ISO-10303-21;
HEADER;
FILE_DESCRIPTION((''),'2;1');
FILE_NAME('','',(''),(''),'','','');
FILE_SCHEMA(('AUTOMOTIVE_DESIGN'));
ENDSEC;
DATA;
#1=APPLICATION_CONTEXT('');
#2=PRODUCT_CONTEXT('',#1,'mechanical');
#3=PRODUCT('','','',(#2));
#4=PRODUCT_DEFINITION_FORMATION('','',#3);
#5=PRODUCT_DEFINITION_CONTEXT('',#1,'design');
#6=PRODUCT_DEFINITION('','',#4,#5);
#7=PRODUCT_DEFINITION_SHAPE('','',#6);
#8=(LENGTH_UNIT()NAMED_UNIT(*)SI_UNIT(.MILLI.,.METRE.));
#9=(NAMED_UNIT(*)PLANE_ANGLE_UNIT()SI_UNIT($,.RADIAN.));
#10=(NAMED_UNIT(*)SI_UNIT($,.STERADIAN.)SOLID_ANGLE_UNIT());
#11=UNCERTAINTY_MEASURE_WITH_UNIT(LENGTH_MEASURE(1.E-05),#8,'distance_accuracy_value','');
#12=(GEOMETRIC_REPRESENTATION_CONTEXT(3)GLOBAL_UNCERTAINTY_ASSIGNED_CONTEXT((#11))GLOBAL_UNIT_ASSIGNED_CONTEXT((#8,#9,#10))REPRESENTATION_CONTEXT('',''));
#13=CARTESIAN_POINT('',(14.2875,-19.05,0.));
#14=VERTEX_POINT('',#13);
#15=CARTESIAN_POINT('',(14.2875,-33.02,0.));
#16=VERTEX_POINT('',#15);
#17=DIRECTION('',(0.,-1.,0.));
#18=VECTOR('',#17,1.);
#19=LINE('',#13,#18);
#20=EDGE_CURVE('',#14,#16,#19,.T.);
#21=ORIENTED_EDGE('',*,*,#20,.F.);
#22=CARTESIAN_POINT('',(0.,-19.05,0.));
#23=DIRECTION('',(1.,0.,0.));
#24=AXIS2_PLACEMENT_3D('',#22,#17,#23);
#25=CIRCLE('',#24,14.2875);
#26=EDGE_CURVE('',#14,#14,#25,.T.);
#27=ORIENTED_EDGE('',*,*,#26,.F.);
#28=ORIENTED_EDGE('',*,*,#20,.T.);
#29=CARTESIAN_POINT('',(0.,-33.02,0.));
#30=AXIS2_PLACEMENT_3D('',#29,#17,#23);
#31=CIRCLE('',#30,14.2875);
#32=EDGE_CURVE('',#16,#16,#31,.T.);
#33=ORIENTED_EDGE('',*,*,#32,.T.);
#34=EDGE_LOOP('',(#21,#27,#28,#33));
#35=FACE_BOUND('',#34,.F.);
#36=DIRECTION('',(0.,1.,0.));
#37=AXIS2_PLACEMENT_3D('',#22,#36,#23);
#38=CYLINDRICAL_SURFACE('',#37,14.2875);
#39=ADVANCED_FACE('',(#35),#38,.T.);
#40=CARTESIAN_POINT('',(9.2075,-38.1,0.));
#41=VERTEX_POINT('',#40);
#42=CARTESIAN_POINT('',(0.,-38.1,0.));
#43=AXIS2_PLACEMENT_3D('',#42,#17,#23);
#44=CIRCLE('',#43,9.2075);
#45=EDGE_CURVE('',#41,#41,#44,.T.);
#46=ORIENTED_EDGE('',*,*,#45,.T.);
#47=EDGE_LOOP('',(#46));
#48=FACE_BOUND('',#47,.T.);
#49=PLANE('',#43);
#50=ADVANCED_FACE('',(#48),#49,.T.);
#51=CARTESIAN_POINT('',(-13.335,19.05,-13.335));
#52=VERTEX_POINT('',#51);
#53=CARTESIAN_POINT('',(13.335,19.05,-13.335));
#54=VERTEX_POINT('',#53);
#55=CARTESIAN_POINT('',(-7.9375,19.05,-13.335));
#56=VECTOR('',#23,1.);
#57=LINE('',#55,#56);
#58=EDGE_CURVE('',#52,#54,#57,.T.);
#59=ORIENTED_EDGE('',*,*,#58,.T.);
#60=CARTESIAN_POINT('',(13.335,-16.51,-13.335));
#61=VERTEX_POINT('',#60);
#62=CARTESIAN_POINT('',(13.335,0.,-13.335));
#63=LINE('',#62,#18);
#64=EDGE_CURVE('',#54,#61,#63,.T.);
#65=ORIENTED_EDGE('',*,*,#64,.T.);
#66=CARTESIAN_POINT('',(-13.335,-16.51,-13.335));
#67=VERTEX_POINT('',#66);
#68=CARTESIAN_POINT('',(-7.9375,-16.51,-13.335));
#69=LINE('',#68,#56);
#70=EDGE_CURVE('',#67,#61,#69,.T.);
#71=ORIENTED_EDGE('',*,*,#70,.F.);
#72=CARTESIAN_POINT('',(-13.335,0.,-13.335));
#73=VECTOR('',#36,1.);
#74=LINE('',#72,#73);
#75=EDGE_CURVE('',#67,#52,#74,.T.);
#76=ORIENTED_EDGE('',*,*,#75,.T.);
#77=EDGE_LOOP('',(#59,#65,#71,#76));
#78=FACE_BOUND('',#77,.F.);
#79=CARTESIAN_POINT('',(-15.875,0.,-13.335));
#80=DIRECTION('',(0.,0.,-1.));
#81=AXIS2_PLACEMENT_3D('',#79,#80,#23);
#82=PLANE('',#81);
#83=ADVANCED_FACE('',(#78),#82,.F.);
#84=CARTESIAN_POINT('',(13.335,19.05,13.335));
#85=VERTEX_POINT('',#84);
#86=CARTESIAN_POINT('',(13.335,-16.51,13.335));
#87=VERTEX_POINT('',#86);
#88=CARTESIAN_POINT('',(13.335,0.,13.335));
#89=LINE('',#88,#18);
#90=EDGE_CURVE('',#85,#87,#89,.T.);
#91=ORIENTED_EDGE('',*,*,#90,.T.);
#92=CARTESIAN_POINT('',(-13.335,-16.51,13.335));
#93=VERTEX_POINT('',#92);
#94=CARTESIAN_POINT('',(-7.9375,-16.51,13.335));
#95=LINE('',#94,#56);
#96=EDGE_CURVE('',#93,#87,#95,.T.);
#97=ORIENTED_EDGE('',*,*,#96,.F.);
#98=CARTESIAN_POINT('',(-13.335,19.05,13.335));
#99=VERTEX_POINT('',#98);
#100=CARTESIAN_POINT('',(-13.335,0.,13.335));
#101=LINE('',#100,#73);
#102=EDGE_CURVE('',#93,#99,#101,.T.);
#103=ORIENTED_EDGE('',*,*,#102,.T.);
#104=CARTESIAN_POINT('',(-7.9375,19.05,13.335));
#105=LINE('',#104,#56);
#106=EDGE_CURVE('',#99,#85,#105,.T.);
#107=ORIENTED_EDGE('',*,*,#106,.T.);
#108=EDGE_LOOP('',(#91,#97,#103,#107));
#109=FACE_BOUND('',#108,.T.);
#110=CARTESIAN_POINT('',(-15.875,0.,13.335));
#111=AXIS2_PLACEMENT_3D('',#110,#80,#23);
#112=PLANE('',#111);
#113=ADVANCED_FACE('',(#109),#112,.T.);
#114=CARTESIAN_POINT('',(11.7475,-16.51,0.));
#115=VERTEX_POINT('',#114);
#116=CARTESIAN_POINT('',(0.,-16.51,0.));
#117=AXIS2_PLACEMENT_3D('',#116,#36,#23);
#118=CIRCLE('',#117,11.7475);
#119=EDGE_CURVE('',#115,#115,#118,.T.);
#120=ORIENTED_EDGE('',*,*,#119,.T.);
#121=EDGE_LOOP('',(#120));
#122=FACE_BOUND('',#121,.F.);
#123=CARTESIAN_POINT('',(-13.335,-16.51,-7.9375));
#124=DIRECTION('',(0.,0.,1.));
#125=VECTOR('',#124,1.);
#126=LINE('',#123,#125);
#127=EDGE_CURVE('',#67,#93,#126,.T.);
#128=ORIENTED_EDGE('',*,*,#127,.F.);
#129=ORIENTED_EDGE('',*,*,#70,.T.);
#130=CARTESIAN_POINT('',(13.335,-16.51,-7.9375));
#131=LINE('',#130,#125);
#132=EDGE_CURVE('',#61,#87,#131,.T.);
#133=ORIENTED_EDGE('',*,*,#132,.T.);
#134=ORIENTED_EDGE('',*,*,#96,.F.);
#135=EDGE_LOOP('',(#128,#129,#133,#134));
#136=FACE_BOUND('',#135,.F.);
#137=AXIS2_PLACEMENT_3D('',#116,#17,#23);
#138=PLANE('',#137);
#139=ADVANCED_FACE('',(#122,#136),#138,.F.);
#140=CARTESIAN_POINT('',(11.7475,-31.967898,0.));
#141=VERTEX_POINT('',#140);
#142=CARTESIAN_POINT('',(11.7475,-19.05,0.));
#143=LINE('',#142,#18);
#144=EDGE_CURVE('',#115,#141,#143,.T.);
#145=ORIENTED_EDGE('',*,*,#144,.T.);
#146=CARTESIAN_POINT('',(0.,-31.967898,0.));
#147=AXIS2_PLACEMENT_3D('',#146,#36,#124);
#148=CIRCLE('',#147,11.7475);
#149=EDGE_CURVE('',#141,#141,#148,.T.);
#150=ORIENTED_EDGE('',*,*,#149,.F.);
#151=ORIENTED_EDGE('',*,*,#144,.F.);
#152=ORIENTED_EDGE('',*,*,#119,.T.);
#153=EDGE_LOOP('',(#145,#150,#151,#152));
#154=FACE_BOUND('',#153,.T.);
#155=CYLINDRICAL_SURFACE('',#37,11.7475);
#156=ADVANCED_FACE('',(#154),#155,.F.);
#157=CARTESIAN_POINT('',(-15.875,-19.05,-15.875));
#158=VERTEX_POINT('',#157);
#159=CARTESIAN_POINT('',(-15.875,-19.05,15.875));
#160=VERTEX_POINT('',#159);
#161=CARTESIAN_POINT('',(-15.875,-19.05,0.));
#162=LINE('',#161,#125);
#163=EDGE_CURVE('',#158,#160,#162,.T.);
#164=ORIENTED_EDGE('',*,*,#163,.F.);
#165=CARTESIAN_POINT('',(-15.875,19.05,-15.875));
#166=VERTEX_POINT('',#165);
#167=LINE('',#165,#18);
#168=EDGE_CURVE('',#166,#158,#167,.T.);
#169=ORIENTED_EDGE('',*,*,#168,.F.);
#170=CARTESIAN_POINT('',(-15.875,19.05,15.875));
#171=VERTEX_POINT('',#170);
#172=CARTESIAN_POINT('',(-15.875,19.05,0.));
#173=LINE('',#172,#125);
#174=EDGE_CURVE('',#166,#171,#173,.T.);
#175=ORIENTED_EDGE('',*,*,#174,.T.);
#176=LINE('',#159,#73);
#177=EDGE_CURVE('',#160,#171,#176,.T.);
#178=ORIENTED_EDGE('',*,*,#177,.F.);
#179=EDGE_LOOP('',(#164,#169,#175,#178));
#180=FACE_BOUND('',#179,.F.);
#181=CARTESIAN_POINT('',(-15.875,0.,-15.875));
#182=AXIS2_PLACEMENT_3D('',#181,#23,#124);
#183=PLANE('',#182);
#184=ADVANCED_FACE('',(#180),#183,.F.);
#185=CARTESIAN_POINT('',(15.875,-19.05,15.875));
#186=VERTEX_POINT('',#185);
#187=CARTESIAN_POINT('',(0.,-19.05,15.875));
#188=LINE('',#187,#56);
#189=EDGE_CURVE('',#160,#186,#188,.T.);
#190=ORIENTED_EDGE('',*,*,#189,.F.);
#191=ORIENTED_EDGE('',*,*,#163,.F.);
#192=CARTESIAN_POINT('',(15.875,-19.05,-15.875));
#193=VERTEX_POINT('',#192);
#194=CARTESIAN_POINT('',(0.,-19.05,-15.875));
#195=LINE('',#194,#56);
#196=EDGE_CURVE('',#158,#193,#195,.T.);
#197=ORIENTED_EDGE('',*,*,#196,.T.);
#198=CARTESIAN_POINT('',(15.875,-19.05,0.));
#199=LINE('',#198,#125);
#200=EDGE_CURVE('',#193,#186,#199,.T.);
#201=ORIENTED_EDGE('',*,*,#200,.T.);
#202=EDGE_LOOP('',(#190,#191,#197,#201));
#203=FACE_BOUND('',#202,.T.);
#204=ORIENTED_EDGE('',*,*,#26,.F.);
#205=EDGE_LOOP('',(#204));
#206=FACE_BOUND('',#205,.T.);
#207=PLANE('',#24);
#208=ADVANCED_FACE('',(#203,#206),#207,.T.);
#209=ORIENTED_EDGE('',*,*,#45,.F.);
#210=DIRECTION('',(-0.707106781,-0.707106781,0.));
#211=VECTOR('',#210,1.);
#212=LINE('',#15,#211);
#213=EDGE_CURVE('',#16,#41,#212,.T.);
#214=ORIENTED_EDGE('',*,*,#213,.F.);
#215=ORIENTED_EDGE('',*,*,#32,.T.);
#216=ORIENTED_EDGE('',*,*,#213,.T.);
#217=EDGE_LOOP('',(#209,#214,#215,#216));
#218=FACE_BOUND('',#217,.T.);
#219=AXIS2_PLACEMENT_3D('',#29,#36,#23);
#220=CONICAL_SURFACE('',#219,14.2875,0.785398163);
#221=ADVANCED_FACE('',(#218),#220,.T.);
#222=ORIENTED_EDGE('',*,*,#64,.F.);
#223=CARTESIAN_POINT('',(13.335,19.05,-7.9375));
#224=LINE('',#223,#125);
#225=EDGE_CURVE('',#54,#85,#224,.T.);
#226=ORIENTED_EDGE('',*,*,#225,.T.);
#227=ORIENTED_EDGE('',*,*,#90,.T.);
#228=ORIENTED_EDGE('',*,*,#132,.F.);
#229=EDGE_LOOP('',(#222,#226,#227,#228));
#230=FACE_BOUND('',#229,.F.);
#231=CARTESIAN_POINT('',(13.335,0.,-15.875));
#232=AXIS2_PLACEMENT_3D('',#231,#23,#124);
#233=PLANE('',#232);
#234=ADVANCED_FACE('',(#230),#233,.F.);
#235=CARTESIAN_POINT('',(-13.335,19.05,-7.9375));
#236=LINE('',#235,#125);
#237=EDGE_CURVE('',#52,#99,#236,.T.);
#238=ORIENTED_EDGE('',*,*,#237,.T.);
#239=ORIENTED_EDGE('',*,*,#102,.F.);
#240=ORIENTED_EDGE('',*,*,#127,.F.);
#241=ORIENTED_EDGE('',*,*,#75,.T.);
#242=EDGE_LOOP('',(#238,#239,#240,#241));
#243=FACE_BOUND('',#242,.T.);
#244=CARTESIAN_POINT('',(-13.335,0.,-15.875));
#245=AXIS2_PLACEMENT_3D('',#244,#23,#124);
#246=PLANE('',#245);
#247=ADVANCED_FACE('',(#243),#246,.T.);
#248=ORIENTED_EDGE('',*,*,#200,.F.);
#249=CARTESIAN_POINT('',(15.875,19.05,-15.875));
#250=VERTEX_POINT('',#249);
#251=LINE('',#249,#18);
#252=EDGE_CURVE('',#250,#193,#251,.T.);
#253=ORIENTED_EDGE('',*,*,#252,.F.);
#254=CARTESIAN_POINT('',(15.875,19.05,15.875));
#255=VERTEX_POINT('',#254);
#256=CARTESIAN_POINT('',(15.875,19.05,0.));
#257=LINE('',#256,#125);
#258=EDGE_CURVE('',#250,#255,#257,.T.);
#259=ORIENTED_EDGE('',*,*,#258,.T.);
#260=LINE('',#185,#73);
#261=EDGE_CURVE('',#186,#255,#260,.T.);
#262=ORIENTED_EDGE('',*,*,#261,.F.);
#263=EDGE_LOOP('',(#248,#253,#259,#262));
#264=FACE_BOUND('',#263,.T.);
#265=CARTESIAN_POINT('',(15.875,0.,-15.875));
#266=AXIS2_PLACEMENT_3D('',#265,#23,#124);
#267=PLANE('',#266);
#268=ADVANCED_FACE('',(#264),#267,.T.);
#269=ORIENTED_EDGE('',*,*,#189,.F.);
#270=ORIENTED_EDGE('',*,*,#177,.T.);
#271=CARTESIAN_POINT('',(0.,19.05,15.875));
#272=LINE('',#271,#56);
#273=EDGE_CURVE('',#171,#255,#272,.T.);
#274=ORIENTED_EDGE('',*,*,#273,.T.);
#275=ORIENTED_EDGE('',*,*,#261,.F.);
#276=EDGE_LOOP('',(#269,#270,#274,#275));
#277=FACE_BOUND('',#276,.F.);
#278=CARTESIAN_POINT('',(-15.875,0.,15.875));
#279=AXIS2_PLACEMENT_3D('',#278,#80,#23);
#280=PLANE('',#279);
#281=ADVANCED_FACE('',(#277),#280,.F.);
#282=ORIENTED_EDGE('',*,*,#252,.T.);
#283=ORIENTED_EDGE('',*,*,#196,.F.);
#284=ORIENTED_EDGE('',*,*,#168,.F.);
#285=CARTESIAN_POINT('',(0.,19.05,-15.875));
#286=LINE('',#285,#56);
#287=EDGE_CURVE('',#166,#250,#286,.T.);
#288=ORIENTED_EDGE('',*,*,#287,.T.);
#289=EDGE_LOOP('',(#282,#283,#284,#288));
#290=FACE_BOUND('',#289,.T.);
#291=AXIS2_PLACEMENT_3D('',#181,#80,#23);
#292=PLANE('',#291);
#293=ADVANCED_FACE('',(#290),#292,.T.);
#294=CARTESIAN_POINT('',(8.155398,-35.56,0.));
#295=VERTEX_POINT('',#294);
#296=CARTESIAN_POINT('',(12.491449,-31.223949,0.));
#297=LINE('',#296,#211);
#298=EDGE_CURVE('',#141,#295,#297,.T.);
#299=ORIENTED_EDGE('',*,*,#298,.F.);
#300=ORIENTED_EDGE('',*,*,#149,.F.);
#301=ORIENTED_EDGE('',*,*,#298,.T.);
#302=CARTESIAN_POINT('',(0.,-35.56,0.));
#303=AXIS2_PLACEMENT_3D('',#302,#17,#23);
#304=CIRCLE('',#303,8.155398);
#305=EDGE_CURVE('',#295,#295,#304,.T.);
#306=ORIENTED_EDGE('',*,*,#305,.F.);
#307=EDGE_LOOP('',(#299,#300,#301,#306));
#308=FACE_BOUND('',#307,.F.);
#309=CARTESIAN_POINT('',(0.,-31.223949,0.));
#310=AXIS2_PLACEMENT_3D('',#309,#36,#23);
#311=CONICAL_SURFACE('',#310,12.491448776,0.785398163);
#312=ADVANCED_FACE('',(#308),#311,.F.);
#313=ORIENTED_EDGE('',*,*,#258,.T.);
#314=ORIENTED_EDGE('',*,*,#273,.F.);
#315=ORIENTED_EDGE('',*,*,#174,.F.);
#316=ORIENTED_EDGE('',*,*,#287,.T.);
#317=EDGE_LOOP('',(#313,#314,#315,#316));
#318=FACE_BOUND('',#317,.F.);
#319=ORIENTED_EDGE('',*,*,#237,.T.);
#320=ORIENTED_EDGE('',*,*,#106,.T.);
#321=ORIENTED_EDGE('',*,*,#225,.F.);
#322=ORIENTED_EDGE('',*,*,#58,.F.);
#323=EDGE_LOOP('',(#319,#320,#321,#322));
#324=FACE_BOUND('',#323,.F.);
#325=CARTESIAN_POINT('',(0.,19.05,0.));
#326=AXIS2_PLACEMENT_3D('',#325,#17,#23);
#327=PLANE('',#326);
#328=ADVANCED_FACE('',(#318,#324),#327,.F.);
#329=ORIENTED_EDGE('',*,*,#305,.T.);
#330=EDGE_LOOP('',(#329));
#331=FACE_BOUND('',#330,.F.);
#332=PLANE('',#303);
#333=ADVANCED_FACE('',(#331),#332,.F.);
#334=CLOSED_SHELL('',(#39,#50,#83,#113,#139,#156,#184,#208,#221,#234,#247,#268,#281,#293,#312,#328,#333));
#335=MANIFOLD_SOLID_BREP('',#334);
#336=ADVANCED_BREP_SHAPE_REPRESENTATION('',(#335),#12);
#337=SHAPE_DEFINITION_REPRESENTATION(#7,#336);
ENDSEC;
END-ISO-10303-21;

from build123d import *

# Parameters (mm, degrees)
F0_W     = 31.75
F0_H     = 31.75
F1_DEPTH = 19.05
F2_R     = 14.2875
F3_DEPTH = 19.05
F4_SIZE  = 5.08
F5_T     = -2.54


with BuildPart() as f1:
    # F0 (on Front) → F1 (new body, symmetric)
    with BuildSketch(Plane.XZ):
        Rectangle(F0_W, F0_H)
    extrude(amount=F1_DEPTH, both=True)

    # F2 (on face) → F3 (join)
    with BuildSketch(Plane.XZ.offset(19.05)):
        Circle(F2_R)
    extrude(amount=F3_DEPTH)

    # F4
    f4_edges = [f1.edges().sort_by_distance(p)[0] for p in [
        (-14.2875, -38.1, 0),
    ]]
    chamfer(f4_edges, length=F4_SIZE)

    # F5
    f5_openings = [f1.faces().sort_by_distance(p)[0] for p in [
        (0, 19.05, 0),
    ]]
    offset(amount=F5_T, openings=f5_openings, kind=Kind.INTERSECTION)


solid = f1.part
